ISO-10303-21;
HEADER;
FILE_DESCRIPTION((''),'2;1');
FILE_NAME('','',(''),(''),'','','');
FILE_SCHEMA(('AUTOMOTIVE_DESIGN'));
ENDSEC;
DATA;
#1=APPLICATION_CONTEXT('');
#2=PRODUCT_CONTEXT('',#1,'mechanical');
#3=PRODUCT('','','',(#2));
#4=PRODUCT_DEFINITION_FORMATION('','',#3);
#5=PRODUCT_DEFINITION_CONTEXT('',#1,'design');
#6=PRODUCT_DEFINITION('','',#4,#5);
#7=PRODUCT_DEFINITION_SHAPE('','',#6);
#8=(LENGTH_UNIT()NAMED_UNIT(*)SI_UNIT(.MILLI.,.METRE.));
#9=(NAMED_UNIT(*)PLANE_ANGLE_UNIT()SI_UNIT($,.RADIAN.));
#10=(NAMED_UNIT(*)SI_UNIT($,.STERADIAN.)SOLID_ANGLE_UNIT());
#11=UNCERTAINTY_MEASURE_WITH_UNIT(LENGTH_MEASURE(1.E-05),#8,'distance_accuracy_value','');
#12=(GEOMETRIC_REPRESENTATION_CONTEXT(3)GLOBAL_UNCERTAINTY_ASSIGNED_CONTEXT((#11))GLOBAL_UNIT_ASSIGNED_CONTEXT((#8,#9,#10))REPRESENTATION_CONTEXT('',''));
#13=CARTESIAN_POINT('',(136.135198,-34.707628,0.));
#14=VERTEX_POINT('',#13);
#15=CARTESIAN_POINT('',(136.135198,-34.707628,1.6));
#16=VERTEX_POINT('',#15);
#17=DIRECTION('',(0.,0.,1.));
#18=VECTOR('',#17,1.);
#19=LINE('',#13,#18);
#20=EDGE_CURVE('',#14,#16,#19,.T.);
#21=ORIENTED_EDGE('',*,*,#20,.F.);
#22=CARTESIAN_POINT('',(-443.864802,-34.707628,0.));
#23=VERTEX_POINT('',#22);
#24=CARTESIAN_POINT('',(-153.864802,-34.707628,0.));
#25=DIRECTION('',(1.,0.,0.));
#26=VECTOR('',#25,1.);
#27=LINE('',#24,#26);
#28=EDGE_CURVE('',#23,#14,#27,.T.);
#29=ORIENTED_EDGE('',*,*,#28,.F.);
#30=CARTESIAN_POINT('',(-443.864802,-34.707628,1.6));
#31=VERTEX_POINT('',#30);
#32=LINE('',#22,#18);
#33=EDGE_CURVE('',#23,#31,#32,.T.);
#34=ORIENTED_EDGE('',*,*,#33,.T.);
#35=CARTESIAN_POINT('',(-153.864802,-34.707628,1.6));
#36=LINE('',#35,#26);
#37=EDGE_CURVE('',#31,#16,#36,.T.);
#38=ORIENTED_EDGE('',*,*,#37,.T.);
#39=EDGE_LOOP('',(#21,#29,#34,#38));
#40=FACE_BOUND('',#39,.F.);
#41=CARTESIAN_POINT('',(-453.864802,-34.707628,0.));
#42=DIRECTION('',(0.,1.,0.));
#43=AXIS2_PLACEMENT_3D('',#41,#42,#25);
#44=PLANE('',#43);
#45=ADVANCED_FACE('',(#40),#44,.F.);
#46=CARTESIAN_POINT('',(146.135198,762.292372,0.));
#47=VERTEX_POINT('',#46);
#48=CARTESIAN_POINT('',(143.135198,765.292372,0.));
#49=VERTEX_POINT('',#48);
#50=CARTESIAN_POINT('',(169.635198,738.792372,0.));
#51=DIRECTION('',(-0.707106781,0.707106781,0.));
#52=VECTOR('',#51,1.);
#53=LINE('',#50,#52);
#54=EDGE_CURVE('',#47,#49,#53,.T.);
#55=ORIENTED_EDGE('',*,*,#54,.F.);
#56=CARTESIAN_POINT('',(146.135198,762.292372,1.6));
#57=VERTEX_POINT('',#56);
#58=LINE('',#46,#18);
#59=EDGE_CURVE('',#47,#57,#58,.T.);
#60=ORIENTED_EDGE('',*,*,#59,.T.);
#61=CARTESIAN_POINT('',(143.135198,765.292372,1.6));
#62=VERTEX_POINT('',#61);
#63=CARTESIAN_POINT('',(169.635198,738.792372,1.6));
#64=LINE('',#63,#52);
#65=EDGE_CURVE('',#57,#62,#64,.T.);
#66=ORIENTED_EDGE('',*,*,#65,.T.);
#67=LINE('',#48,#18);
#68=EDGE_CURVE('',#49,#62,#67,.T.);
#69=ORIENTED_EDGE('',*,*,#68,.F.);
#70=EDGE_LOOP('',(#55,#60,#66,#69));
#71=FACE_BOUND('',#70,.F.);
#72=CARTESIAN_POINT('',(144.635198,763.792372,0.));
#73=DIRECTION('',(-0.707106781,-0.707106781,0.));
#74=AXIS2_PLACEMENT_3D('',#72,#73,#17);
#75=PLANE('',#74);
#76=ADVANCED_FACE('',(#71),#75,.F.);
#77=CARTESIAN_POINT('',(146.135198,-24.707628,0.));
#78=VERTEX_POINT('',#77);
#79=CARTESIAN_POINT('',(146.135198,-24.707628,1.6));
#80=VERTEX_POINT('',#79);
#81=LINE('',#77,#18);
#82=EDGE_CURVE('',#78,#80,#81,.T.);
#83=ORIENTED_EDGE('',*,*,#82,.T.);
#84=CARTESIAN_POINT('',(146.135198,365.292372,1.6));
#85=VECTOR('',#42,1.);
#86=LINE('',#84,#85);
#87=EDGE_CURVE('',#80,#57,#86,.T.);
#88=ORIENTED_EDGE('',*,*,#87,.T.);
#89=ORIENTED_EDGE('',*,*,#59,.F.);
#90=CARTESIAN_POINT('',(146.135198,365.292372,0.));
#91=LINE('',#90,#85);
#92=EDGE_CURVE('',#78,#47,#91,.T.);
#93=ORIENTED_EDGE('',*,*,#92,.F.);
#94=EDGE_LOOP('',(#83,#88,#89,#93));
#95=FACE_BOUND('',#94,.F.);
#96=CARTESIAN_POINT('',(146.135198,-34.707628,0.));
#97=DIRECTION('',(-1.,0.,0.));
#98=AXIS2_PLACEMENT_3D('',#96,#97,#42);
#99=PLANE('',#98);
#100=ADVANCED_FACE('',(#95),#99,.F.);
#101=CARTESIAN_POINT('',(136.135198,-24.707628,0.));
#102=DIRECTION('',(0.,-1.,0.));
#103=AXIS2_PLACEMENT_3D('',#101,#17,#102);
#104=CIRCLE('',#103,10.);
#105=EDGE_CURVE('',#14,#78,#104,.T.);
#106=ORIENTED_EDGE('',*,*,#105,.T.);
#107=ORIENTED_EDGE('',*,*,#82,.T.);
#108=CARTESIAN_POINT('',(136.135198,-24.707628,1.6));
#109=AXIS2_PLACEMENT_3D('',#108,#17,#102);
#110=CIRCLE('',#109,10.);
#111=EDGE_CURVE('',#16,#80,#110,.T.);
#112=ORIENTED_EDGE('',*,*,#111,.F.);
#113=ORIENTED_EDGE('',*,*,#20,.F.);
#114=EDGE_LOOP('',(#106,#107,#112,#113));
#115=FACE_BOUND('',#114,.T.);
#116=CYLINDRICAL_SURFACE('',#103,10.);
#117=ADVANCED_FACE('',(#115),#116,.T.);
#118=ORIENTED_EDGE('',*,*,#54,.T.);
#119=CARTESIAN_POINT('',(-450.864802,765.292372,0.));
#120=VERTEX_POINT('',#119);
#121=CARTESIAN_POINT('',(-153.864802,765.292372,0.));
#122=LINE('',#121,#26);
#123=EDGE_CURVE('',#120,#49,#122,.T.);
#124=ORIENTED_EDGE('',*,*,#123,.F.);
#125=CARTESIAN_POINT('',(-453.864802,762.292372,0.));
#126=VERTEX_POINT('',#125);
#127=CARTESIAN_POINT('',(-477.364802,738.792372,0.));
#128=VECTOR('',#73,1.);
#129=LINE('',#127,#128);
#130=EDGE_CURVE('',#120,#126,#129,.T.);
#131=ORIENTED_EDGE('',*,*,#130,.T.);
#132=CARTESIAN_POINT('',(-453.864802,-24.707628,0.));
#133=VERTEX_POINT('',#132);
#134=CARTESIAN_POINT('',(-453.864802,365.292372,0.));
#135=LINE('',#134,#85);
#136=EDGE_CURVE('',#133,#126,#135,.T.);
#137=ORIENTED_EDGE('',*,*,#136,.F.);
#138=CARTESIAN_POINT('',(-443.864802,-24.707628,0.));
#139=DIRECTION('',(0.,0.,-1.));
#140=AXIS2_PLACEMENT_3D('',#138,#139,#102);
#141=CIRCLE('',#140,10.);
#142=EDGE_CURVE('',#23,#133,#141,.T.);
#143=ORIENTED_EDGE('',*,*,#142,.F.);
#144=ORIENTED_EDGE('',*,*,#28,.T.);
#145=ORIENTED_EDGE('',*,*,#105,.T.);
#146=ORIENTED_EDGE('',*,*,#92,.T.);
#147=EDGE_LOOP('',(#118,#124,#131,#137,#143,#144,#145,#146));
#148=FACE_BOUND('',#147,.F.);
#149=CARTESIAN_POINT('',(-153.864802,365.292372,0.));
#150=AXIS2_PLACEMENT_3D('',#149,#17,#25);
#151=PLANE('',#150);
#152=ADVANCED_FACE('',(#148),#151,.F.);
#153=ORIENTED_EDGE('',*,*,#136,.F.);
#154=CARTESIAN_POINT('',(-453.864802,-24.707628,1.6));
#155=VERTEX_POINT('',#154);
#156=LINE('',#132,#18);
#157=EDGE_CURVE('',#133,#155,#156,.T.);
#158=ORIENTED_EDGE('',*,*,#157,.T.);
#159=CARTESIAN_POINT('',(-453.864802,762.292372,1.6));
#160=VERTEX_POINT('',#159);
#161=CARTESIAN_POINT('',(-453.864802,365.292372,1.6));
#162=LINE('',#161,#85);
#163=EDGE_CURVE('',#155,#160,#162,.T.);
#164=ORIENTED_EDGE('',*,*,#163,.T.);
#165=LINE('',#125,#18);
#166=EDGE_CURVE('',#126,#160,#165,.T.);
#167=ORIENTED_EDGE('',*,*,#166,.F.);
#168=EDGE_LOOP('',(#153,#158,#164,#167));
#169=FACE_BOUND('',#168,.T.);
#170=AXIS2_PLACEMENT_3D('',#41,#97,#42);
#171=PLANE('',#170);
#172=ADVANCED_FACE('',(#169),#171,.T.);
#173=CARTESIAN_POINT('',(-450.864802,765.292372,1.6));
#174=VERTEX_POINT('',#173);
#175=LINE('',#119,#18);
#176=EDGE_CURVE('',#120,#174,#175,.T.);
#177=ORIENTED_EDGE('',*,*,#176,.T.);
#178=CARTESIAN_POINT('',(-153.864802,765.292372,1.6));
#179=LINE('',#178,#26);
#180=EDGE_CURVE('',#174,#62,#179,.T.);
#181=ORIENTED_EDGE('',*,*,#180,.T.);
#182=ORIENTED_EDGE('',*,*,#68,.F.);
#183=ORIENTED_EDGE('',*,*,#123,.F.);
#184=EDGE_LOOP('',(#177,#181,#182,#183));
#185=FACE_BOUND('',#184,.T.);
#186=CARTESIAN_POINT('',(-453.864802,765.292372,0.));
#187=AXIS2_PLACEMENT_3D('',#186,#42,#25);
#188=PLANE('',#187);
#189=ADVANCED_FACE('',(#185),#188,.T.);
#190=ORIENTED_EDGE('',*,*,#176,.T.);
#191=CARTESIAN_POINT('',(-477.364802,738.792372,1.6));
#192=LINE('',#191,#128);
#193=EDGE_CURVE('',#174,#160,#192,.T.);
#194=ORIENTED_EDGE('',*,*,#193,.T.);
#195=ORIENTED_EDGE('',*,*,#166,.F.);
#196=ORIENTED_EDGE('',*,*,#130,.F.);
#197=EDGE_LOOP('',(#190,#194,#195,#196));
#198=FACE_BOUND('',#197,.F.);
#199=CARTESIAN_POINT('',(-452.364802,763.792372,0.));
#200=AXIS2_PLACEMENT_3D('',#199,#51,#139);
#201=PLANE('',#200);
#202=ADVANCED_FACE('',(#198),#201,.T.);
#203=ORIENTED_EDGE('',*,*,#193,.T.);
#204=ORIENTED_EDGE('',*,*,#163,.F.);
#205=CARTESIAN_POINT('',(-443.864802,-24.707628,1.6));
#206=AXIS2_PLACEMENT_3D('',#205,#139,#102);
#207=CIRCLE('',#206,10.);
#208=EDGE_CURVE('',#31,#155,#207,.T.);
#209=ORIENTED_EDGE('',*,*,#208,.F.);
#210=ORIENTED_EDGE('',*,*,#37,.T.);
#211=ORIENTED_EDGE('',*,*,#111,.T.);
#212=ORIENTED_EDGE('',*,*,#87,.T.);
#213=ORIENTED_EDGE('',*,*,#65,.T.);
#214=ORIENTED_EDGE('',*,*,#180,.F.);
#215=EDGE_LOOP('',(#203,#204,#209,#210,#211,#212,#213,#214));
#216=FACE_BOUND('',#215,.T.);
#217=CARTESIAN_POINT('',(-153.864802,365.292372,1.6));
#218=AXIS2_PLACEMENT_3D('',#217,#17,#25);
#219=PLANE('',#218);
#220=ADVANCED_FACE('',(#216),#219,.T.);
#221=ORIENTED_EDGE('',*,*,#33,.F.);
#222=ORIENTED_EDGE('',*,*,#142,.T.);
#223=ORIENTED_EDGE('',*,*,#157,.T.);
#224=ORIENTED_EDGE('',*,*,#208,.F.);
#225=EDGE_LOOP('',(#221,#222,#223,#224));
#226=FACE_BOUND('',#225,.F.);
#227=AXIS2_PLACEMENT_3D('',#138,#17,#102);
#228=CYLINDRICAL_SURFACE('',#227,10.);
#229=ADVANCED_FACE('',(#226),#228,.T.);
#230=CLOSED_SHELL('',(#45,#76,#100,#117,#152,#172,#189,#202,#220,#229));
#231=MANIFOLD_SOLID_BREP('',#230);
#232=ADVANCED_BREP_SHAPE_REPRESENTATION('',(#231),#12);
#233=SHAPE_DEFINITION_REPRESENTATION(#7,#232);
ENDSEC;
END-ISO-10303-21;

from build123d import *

# Parameters (mm, degrees)
F0_W     = 600
F0_H     = 800
F1_DEPTH = 1.6
F2_R     = 10
F3_R     = 10
F4_SIZE  = 3
F5_SIZE  = 3


with BuildPart() as f1:
    # F0 (on Top) → F1 (new body)
    with BuildSketch(Plane.XY):
        with Locations((-153.864802, 365.292372)):
            Rectangle(F0_W, F0_H)
    extrude(amount=F1_DEPTH)

    # F2
    f2_edges = [f1.edges().sort_by_distance(p)[0] for p in [
        (146.135198, -34.707628, 0.8),
    ]]
    fillet(f2_edges, radius=F2_R)

    # F3
    f3_edges = [f1.edges().sort_by_distance(p)[0] for p in [
        (-453.864802, -34.707628, 0.8),
    ]]
    fillet(f3_edges, radius=F3_R)

    # F4
    f4_edges = [f1.edges().sort_by_distance(p)[0] for p in [
        (146.135198, 765.292372, 0.8),
    ]]
    chamfer(f4_edges, length=F4_SIZE)

    # F5
    f5_edges = [f1.edges().sort_by_distance(p)[0] for p in [
        (-453.864802, 765.292372, 0.8),
    ]]
    chamfer(f5_edges, length=F5_SIZE)


solid = f1.part
